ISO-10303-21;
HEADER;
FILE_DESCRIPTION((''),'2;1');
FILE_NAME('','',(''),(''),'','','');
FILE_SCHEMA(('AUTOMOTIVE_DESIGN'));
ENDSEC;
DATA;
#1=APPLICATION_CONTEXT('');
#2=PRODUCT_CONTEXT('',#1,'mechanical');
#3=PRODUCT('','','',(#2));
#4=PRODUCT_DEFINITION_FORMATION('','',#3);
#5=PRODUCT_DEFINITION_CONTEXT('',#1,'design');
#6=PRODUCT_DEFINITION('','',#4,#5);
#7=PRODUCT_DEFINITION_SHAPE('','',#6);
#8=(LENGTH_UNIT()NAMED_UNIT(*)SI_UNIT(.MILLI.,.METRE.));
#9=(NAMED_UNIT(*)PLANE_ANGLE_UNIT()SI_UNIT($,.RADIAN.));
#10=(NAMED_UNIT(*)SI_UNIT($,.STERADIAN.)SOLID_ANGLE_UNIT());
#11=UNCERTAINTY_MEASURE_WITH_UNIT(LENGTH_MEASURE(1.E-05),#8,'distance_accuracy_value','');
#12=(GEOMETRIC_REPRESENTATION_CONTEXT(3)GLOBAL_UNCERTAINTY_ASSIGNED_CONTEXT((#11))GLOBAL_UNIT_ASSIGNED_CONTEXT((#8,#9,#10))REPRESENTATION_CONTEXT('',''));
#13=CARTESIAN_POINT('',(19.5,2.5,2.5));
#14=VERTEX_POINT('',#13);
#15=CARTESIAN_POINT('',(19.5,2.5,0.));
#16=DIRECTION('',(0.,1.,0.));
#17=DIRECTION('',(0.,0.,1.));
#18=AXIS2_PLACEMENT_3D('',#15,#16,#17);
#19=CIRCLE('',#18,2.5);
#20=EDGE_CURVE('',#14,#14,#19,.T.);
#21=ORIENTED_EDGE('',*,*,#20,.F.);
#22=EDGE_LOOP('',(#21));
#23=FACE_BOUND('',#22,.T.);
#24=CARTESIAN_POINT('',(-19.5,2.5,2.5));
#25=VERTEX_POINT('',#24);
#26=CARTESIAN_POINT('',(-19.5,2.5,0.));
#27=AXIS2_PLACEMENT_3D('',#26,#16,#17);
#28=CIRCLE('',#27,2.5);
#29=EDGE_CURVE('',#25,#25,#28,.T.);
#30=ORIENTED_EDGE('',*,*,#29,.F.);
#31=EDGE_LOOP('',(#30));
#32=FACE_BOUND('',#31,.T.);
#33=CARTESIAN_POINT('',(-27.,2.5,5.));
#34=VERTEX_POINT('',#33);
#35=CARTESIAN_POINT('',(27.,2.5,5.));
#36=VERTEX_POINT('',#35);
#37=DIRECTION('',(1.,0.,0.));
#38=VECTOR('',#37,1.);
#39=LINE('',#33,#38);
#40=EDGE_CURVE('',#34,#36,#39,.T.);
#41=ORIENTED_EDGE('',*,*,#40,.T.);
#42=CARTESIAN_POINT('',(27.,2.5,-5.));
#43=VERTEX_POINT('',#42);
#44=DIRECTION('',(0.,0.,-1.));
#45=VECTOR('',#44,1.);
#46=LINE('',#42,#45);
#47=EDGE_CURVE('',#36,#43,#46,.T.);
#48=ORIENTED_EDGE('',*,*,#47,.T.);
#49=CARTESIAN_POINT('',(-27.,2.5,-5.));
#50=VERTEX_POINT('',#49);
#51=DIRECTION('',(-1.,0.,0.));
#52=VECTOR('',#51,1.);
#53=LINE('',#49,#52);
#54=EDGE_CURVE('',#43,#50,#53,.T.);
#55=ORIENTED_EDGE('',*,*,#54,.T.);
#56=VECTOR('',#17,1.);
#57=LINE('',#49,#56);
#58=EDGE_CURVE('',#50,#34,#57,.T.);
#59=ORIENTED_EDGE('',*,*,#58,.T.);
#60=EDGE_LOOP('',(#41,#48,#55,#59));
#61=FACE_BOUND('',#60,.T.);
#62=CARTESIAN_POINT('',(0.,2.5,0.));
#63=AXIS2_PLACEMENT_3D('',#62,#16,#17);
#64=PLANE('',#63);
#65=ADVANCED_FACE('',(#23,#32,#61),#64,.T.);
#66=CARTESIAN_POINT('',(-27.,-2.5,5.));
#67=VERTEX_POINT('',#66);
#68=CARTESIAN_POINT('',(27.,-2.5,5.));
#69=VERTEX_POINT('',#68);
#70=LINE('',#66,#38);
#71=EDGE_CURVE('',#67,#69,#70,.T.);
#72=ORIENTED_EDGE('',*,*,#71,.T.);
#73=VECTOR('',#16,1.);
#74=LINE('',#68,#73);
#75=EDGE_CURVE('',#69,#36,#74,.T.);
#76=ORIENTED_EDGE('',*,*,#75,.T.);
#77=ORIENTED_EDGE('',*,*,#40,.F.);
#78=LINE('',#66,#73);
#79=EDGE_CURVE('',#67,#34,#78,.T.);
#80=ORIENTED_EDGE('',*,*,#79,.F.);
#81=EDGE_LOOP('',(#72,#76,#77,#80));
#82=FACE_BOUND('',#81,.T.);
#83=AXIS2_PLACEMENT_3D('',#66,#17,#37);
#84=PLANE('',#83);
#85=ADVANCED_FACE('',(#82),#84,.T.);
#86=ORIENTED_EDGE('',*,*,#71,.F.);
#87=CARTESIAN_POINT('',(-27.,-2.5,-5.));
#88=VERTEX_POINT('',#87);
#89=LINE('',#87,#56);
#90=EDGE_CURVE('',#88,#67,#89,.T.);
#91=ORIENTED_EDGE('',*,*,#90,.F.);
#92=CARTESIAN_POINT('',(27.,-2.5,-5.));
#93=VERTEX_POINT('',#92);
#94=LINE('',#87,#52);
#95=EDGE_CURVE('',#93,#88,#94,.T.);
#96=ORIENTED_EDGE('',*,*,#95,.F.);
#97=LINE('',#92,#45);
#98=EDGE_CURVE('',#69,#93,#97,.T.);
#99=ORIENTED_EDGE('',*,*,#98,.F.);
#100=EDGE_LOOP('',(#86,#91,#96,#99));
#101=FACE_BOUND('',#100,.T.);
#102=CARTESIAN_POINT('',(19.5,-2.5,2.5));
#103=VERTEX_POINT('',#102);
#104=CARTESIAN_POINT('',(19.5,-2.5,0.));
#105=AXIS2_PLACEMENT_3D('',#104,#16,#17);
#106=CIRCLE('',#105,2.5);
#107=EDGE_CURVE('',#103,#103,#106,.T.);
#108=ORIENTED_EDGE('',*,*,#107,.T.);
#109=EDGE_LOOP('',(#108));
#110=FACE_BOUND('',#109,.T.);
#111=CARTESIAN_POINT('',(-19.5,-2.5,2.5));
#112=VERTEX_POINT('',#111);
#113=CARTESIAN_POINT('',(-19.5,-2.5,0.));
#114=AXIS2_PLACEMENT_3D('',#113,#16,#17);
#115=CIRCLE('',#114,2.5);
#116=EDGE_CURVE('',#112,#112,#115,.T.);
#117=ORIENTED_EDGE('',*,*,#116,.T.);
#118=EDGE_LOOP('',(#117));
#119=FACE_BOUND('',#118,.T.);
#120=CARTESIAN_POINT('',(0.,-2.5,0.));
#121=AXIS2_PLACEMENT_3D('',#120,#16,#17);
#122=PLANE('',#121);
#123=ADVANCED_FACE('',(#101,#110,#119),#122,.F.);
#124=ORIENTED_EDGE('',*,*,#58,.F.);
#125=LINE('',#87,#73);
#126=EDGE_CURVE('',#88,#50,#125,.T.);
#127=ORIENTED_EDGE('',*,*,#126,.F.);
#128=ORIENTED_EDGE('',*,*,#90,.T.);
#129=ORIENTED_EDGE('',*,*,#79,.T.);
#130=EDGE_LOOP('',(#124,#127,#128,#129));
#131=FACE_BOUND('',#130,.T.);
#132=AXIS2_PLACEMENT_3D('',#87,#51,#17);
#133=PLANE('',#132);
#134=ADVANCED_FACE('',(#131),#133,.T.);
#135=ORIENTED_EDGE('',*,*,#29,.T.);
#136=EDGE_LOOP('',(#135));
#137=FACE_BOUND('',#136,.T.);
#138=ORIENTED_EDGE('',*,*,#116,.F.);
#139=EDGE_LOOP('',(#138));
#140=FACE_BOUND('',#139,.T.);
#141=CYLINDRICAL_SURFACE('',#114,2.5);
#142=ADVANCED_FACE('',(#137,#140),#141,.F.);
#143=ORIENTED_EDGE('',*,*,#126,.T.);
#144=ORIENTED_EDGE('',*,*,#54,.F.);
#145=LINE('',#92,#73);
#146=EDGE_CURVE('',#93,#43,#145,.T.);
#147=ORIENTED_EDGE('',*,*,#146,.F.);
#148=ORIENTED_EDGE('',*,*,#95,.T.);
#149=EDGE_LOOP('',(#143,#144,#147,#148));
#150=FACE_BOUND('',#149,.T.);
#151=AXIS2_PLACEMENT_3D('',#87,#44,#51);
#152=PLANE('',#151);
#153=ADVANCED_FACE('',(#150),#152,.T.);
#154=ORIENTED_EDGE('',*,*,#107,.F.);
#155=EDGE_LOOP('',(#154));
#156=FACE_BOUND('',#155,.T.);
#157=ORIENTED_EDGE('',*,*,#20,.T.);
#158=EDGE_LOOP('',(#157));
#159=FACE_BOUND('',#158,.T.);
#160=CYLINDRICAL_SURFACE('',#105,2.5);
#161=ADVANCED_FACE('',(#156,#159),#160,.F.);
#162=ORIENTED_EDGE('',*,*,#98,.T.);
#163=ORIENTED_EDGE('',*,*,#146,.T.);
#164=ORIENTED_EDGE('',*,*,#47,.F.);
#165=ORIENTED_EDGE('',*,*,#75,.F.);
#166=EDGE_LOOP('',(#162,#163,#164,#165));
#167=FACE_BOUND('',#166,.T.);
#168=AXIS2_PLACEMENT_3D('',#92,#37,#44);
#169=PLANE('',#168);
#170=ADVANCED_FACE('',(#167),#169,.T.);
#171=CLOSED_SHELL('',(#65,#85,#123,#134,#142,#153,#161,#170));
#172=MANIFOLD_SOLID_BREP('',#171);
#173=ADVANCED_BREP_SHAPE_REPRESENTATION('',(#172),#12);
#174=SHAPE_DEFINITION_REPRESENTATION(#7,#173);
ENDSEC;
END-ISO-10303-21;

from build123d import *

# Parameters (mm, degrees)
BOSS_EXTRUDE1_DEPTH      = 2.5
BOSS_EXTRUDE1_DEPTH_BACK = 2.5
SKETCH1_W                = 54
SKETCH1_H                = 10
SKETCH1_R                = 2.5


with BuildPart() as part:
    # Sketch1 → Boss-Extrude1 (new, two sides: drawn at the far end of the back side and taken through both)
    with BuildSketch(Plane(origin=(0, 0, 0), x_dir=(1, 0, 0), z_dir=(0, 1, 0)).offset(-BOSS_EXTRUDE1_DEPTH_BACK)):
        Rectangle(SKETCH1_W, SKETCH1_H)
        with Locations((-19.5, 0)):
            Circle(SKETCH1_R, mode=Mode.SUBTRACT)
        with Locations((19.5, 0)):
            Circle(SKETCH1_R, mode=Mode.SUBTRACT)
    extrude(amount=BOSS_EXTRUDE1_DEPTH + BOSS_EXTRUDE1_DEPTH_BACK)


solid = part.part
